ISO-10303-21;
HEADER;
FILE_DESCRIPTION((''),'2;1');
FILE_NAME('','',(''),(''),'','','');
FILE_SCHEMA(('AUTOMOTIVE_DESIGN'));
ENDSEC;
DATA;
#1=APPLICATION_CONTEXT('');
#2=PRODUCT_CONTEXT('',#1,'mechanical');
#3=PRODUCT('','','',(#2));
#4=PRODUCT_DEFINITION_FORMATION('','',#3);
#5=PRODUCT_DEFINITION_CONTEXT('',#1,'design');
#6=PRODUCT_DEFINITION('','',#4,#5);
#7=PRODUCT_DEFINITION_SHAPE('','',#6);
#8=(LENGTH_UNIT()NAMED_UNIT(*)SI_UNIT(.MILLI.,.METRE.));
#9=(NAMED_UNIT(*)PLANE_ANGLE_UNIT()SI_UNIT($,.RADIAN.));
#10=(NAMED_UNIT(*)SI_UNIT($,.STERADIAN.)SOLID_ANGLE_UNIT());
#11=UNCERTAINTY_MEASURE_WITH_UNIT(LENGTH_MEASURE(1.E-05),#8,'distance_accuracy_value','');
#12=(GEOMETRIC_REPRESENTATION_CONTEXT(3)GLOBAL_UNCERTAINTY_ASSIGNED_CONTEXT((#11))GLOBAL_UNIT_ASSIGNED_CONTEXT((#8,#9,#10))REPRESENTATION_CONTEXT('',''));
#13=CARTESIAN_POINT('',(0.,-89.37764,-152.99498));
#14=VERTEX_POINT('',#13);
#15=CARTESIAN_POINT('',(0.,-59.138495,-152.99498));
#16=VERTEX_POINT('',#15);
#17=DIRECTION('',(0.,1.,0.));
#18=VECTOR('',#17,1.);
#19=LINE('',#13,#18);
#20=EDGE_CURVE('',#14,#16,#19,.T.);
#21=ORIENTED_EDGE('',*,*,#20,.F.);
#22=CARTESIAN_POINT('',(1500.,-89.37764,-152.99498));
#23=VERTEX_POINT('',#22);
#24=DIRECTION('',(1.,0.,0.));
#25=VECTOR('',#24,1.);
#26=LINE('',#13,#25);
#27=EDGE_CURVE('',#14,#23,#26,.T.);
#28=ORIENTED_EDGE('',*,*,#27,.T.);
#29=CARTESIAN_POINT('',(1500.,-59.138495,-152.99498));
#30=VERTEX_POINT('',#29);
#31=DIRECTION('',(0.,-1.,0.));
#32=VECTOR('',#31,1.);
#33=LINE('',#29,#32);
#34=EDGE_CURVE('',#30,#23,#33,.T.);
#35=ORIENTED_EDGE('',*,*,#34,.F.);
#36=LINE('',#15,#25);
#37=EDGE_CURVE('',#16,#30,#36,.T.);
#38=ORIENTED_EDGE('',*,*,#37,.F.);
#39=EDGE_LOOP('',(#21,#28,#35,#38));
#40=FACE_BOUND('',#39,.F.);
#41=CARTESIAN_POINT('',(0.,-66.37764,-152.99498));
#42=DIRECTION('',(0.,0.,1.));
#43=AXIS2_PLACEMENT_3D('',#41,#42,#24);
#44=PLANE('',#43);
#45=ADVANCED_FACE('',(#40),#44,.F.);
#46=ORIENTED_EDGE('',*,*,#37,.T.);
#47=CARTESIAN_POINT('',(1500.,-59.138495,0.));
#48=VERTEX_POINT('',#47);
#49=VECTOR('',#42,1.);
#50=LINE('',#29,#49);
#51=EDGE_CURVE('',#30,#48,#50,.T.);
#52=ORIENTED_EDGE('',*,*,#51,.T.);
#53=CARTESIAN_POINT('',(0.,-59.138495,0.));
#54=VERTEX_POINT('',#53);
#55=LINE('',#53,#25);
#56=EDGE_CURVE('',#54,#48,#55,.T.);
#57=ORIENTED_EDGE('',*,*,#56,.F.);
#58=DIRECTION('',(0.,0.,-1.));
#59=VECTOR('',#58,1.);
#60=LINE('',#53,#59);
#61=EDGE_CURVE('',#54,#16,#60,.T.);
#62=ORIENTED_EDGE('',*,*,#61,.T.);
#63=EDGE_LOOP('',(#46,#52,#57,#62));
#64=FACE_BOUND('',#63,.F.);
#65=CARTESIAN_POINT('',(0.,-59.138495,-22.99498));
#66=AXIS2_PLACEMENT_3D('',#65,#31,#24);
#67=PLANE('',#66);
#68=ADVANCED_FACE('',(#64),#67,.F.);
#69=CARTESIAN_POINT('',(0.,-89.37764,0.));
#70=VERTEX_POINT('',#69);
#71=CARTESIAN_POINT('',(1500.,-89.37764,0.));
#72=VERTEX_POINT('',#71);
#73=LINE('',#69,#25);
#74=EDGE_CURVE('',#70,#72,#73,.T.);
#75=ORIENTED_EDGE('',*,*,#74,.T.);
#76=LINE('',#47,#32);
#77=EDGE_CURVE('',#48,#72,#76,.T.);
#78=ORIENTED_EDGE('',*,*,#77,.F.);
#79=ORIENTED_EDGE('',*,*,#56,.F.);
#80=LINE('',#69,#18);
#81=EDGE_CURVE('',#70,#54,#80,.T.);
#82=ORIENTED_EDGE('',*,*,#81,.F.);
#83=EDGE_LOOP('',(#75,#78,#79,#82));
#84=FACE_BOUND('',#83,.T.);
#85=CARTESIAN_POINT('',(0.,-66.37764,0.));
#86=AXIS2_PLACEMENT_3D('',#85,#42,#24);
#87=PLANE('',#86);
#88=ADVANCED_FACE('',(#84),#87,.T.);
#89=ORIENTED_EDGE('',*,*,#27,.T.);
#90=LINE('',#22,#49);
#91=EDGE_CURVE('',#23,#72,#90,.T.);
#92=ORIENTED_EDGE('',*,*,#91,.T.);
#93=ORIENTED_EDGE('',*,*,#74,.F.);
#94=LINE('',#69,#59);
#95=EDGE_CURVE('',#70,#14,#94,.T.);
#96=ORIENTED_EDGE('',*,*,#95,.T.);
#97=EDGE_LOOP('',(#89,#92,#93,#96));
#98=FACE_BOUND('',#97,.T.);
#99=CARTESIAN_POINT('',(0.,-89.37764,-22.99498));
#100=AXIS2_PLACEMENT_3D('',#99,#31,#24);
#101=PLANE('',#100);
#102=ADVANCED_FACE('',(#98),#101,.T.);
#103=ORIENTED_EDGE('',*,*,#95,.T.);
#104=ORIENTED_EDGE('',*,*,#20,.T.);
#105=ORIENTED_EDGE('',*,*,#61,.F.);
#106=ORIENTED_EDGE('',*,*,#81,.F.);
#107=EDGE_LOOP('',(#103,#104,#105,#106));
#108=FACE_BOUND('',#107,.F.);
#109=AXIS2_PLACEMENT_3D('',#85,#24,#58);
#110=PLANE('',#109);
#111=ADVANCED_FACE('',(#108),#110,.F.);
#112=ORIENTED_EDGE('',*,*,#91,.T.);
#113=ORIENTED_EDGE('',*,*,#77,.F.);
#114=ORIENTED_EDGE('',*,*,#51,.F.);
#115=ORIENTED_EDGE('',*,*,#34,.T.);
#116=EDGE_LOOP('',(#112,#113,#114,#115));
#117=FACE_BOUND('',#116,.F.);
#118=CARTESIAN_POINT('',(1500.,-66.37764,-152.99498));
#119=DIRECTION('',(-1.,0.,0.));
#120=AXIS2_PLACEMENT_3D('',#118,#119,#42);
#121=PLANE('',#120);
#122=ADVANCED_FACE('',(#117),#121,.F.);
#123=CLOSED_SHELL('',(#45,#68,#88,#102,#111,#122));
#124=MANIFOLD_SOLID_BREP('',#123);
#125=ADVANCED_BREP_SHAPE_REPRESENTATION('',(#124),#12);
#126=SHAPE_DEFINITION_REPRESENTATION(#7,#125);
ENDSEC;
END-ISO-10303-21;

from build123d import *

# Parameters (mm, degrees)
F0_W     = 7.2391442955
F0_H     = 22.994980216
F1_DEPTH = 1500
F2_DEPTH = 130
F3_DEPTH = 23


with BuildPart() as f1:
    # F0 (on Right) → F1 (new body)
    with BuildSketch(Plane.YZ):
        with Locations((-62.7580676228, -11.497490108)):
            Rectangle(F0_W, F0_H)
    extrude(amount=F1_DEPTH)

    # F2 (add): a face of the model
    f2_faces = [f1.faces().sort_by_distance(p)[0] for p in [
        (750, -62.7580676228, -22.994980216),
    ]]
    extrude(f2_faces, amount=F2_DEPTH)

    # F3 (add): a face of the model
    f3_faces = [f1.faces().sort_by_distance(p)[0] for p in [
        (750, -66.3776397705, -76.497490108),
    ]]
    extrude(f3_faces, amount=F3_DEPTH)


solid = f1.part
